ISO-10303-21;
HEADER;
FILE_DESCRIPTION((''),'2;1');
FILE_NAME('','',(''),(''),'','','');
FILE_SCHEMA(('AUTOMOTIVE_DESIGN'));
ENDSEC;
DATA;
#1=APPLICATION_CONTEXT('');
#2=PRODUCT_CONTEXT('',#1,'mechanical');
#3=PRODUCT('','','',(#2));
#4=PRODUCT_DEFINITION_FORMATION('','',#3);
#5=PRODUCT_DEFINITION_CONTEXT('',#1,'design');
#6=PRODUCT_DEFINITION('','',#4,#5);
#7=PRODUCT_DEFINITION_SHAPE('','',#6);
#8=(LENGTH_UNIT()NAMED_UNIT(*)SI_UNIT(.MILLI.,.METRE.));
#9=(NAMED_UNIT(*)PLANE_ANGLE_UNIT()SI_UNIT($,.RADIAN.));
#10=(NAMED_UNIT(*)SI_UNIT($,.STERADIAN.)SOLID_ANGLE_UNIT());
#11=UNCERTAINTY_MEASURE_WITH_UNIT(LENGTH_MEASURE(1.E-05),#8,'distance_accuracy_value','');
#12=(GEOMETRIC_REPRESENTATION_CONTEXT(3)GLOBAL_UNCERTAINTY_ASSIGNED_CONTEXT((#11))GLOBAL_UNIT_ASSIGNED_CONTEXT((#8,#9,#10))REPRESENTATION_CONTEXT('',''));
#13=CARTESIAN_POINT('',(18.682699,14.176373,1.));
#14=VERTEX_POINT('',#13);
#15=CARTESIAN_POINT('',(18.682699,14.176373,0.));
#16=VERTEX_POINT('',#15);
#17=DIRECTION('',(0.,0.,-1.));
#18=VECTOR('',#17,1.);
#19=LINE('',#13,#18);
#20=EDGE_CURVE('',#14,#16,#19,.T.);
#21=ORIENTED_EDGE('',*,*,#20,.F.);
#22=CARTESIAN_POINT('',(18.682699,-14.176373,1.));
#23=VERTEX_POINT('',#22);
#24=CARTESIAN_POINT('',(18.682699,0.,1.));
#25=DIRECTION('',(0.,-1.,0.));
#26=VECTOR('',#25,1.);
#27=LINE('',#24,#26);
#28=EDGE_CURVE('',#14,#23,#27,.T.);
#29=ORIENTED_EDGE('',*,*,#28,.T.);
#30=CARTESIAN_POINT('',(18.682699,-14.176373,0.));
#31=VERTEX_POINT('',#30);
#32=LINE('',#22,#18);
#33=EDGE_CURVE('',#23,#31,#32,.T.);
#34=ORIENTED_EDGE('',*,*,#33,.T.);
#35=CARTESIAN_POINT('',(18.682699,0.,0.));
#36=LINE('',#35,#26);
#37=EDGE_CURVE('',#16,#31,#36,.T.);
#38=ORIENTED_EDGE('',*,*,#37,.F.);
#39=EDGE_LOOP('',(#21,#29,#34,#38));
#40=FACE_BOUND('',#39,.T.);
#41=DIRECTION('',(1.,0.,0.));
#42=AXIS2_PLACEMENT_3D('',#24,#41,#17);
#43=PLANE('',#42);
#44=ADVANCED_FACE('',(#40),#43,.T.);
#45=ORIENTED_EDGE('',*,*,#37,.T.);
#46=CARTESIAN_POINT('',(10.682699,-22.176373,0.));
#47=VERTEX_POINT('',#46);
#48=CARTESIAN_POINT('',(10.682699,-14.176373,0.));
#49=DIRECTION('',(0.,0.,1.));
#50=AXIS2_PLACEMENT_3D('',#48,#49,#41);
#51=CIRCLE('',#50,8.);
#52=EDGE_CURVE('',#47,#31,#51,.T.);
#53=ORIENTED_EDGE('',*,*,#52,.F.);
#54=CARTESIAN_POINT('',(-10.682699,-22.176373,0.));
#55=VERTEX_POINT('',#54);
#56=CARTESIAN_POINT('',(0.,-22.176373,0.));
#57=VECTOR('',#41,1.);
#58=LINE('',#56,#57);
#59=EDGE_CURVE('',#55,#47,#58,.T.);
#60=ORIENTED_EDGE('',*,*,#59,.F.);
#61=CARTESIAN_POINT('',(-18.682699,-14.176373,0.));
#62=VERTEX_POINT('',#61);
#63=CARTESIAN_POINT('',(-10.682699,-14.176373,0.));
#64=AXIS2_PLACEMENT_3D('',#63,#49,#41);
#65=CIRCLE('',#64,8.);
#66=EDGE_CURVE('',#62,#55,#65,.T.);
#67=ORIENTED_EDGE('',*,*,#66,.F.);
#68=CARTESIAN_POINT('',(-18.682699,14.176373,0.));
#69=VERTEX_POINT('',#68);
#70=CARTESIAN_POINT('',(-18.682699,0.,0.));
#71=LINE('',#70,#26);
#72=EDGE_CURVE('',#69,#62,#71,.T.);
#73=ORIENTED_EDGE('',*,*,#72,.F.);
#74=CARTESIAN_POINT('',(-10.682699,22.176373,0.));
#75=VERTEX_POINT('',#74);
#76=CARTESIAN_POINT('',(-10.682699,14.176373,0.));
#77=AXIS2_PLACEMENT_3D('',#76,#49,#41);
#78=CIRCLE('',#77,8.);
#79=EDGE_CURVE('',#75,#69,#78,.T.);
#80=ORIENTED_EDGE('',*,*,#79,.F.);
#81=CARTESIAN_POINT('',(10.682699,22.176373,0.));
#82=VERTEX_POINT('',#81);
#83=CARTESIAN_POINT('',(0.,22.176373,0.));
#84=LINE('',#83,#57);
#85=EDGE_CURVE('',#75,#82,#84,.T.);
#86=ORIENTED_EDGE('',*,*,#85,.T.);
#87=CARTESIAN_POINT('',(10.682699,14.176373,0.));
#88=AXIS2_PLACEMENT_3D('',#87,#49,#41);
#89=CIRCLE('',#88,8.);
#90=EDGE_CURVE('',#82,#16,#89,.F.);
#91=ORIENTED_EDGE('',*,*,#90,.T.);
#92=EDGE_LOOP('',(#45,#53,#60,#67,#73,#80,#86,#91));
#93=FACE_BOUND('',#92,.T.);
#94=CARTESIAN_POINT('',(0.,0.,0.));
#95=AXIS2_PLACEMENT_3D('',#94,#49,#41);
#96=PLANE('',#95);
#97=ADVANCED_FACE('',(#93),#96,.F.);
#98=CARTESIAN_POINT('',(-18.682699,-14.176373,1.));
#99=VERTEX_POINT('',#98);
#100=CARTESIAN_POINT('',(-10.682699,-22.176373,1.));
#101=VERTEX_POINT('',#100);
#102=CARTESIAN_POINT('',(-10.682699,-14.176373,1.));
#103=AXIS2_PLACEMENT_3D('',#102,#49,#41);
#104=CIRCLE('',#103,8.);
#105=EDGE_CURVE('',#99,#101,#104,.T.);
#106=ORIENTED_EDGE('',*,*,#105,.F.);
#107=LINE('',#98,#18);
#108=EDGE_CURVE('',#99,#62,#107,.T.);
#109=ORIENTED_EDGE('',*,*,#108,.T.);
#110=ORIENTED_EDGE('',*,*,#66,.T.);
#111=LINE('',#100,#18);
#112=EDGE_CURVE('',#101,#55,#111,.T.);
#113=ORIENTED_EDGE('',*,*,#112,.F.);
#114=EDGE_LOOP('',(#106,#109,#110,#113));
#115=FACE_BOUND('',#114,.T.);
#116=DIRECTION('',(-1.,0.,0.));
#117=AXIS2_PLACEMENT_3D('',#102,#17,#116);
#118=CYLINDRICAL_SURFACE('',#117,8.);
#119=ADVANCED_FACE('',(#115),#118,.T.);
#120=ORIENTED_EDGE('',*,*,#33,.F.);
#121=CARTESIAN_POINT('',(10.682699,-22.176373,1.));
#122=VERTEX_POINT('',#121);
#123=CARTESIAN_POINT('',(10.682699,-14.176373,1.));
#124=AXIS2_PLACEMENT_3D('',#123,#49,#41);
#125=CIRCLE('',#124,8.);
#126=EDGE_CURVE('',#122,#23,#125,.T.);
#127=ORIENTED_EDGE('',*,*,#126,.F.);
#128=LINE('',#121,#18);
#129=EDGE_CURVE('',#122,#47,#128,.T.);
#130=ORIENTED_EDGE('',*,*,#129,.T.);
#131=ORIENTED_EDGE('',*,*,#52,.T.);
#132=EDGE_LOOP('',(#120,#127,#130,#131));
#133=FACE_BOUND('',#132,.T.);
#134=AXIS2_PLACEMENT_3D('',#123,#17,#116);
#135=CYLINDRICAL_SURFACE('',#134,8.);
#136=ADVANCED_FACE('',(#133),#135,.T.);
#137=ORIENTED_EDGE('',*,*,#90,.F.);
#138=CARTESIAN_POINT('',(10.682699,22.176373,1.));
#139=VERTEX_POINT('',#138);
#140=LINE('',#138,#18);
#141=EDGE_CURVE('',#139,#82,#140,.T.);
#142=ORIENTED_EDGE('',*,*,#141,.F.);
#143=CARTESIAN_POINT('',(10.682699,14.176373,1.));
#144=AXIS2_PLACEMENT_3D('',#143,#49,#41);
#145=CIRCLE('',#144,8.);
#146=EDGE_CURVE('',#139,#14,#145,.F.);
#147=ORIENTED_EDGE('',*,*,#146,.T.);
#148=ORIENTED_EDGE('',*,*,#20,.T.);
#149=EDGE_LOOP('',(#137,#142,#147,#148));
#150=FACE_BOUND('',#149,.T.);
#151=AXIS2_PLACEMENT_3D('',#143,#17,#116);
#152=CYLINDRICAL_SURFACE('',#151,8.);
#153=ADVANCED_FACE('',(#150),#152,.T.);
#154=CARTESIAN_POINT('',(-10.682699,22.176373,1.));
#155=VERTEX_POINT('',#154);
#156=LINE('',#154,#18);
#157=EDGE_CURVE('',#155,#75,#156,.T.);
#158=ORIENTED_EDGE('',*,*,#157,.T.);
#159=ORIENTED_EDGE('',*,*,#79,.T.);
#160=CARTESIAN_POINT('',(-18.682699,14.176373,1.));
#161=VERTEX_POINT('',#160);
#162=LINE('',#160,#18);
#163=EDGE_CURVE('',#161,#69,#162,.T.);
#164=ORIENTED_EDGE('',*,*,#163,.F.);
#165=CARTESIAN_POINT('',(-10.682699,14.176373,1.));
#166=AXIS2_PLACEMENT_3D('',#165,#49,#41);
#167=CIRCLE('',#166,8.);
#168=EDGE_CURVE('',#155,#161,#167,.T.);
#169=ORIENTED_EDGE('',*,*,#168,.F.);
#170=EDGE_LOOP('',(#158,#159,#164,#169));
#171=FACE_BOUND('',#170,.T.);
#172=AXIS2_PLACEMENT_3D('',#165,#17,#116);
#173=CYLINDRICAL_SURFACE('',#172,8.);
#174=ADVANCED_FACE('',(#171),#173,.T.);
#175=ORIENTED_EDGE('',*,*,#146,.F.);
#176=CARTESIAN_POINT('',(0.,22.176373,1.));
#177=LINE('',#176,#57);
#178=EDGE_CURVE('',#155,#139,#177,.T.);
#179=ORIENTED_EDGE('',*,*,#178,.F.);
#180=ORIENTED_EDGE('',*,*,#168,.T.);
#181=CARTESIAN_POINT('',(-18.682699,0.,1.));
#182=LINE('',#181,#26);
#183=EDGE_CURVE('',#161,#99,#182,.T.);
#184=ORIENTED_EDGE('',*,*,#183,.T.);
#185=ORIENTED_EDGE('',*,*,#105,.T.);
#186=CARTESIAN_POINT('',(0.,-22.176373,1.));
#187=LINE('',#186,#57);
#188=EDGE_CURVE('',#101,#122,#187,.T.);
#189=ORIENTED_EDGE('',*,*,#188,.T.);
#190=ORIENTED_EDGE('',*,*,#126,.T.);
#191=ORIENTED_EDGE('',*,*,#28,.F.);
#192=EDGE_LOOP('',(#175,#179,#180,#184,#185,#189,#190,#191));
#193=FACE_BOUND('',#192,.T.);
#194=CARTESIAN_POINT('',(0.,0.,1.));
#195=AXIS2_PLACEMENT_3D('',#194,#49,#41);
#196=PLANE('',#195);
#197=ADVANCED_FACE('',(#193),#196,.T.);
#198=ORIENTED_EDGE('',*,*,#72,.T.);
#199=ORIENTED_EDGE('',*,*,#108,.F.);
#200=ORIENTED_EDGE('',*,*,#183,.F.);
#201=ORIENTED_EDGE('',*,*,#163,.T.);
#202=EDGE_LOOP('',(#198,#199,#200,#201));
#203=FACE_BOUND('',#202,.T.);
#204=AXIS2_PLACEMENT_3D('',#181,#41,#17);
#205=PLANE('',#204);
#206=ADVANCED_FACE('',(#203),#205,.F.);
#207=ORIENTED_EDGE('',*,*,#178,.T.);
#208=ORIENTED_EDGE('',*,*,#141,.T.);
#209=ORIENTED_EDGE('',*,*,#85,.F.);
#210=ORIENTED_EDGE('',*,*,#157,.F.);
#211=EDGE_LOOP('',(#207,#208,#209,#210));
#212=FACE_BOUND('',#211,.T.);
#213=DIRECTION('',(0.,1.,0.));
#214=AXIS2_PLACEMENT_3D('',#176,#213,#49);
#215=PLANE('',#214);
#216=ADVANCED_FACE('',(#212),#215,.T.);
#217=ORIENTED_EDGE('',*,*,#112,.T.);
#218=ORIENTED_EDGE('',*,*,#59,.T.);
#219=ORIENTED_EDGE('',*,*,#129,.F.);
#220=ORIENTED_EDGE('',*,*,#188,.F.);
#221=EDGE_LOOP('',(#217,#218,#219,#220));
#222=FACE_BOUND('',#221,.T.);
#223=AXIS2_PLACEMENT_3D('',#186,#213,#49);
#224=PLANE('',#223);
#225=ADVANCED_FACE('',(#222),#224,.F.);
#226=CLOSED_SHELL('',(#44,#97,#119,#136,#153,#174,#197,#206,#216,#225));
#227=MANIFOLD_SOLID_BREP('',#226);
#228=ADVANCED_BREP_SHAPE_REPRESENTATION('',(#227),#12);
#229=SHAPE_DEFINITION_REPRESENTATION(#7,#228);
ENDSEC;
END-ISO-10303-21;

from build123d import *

# Parameters (mm, degrees)
EXTRUDE_1_DEPTH = 1


with BuildPart() as part:
    # 草图2 → 凸台-拉伸1 (new body)
    with BuildSketch(Plane.XY):
        with BuildLine():
            Line((-10.682698898, 22.17637267), (10.682698898, 22.17637267))
            ThreePointArc((10.682698898, 22.17637267), (16.339553148, 19.833226919), (18.682698898, 14.17637267))
            Line((18.682698898, 14.17637267), (18.682698898, -14.17637267))
            ThreePointArc((18.682698898, -14.17637267), (16.339553148, -19.833226919), (10.682698898, -22.17637267))
            Line((10.682698898, -22.17637267), (-10.682698898, -22.17637267))
            ThreePointArc((-10.682698898, -22.17637267), (-16.339553148, -19.833226919), (-18.682698898, -14.17637267))
            Line((-18.682698898, -14.17637267), (-18.682698898, 14.17637267))
            ThreePointArc((-18.682698898, 14.17637267), (-16.339553148, 19.833226919), (-10.682698898, 22.17637267))
        make_face()
    extrude(amount=EXTRUDE_1_DEPTH)


solid = part.part
